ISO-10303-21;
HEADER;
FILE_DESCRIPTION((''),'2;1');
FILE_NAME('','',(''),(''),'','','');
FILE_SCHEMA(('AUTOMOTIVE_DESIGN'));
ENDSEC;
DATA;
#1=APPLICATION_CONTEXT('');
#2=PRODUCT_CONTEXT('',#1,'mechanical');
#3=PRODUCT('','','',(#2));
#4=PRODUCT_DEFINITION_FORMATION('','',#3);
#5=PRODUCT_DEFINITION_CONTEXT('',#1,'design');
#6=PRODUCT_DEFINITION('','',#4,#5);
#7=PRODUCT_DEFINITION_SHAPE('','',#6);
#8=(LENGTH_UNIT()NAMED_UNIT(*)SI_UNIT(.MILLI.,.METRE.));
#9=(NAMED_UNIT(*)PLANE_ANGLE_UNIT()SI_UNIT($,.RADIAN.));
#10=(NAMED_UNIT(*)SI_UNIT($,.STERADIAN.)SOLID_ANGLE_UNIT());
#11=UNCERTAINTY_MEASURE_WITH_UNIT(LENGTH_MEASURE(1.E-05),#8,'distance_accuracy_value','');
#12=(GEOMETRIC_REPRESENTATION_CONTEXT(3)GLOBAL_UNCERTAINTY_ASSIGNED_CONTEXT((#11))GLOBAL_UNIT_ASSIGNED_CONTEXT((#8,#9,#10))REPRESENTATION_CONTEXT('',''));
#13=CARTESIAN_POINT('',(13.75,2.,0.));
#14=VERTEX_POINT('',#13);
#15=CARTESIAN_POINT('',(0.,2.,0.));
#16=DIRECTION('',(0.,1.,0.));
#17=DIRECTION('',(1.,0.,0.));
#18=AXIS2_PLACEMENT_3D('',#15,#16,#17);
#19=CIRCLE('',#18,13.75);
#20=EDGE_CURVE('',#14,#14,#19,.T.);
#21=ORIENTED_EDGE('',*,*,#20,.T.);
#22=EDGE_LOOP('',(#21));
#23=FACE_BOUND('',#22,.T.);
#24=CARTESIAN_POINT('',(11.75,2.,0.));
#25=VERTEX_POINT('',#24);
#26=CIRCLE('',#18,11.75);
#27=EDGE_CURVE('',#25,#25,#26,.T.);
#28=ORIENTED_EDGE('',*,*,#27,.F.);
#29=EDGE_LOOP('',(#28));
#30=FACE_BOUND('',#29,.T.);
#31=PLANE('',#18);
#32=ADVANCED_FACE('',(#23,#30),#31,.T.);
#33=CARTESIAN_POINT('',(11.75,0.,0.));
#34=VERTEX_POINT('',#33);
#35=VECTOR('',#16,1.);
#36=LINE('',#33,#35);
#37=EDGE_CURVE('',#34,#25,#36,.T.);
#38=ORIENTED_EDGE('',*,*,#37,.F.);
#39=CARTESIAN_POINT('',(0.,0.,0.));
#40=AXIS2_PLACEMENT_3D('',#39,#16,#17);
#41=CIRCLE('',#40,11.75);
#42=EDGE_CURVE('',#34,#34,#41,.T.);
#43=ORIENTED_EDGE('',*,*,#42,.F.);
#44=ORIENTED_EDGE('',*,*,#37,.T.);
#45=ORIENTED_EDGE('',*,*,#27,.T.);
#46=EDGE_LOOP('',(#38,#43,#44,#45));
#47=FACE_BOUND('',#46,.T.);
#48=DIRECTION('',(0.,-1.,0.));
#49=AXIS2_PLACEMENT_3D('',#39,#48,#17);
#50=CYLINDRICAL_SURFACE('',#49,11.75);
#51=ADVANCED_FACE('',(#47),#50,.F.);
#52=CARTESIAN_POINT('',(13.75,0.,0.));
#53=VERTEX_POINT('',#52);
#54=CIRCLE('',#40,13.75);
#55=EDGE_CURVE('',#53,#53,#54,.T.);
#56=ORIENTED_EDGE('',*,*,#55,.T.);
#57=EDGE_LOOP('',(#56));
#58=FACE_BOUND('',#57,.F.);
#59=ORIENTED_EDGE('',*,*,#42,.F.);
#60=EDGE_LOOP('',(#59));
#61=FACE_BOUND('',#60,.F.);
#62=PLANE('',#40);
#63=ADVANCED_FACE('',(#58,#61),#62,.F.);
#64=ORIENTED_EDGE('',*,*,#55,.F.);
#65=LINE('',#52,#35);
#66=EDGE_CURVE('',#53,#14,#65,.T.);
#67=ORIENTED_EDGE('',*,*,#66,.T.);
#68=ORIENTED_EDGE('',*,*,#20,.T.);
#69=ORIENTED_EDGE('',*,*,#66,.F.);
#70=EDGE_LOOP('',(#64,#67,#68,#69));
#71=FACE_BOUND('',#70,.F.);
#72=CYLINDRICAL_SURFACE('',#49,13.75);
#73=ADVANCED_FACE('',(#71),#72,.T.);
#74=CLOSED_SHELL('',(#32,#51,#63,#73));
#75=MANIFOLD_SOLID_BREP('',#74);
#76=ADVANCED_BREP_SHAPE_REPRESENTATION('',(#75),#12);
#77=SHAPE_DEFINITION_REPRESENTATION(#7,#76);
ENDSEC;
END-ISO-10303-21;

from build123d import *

# Parameters (mm, degrees)
SKETCH1_R           = 13.75
SKETCH1_R_2         = 11.75
BOSS_EXTRUDE1_DEPTH = 2


with BuildPart() as part:
    # Sketch1 → Boss-Extrude1 (new body)
    with BuildSketch(Plane(origin=(0, 0, 0), x_dir=(1, 0, 0), z_dir=(0, 1, 0))):
        Circle(SKETCH1_R)
        Circle(SKETCH1_R_2, mode=Mode.SUBTRACT)
    extrude(amount=BOSS_EXTRUDE1_DEPTH)


solid = part.part
